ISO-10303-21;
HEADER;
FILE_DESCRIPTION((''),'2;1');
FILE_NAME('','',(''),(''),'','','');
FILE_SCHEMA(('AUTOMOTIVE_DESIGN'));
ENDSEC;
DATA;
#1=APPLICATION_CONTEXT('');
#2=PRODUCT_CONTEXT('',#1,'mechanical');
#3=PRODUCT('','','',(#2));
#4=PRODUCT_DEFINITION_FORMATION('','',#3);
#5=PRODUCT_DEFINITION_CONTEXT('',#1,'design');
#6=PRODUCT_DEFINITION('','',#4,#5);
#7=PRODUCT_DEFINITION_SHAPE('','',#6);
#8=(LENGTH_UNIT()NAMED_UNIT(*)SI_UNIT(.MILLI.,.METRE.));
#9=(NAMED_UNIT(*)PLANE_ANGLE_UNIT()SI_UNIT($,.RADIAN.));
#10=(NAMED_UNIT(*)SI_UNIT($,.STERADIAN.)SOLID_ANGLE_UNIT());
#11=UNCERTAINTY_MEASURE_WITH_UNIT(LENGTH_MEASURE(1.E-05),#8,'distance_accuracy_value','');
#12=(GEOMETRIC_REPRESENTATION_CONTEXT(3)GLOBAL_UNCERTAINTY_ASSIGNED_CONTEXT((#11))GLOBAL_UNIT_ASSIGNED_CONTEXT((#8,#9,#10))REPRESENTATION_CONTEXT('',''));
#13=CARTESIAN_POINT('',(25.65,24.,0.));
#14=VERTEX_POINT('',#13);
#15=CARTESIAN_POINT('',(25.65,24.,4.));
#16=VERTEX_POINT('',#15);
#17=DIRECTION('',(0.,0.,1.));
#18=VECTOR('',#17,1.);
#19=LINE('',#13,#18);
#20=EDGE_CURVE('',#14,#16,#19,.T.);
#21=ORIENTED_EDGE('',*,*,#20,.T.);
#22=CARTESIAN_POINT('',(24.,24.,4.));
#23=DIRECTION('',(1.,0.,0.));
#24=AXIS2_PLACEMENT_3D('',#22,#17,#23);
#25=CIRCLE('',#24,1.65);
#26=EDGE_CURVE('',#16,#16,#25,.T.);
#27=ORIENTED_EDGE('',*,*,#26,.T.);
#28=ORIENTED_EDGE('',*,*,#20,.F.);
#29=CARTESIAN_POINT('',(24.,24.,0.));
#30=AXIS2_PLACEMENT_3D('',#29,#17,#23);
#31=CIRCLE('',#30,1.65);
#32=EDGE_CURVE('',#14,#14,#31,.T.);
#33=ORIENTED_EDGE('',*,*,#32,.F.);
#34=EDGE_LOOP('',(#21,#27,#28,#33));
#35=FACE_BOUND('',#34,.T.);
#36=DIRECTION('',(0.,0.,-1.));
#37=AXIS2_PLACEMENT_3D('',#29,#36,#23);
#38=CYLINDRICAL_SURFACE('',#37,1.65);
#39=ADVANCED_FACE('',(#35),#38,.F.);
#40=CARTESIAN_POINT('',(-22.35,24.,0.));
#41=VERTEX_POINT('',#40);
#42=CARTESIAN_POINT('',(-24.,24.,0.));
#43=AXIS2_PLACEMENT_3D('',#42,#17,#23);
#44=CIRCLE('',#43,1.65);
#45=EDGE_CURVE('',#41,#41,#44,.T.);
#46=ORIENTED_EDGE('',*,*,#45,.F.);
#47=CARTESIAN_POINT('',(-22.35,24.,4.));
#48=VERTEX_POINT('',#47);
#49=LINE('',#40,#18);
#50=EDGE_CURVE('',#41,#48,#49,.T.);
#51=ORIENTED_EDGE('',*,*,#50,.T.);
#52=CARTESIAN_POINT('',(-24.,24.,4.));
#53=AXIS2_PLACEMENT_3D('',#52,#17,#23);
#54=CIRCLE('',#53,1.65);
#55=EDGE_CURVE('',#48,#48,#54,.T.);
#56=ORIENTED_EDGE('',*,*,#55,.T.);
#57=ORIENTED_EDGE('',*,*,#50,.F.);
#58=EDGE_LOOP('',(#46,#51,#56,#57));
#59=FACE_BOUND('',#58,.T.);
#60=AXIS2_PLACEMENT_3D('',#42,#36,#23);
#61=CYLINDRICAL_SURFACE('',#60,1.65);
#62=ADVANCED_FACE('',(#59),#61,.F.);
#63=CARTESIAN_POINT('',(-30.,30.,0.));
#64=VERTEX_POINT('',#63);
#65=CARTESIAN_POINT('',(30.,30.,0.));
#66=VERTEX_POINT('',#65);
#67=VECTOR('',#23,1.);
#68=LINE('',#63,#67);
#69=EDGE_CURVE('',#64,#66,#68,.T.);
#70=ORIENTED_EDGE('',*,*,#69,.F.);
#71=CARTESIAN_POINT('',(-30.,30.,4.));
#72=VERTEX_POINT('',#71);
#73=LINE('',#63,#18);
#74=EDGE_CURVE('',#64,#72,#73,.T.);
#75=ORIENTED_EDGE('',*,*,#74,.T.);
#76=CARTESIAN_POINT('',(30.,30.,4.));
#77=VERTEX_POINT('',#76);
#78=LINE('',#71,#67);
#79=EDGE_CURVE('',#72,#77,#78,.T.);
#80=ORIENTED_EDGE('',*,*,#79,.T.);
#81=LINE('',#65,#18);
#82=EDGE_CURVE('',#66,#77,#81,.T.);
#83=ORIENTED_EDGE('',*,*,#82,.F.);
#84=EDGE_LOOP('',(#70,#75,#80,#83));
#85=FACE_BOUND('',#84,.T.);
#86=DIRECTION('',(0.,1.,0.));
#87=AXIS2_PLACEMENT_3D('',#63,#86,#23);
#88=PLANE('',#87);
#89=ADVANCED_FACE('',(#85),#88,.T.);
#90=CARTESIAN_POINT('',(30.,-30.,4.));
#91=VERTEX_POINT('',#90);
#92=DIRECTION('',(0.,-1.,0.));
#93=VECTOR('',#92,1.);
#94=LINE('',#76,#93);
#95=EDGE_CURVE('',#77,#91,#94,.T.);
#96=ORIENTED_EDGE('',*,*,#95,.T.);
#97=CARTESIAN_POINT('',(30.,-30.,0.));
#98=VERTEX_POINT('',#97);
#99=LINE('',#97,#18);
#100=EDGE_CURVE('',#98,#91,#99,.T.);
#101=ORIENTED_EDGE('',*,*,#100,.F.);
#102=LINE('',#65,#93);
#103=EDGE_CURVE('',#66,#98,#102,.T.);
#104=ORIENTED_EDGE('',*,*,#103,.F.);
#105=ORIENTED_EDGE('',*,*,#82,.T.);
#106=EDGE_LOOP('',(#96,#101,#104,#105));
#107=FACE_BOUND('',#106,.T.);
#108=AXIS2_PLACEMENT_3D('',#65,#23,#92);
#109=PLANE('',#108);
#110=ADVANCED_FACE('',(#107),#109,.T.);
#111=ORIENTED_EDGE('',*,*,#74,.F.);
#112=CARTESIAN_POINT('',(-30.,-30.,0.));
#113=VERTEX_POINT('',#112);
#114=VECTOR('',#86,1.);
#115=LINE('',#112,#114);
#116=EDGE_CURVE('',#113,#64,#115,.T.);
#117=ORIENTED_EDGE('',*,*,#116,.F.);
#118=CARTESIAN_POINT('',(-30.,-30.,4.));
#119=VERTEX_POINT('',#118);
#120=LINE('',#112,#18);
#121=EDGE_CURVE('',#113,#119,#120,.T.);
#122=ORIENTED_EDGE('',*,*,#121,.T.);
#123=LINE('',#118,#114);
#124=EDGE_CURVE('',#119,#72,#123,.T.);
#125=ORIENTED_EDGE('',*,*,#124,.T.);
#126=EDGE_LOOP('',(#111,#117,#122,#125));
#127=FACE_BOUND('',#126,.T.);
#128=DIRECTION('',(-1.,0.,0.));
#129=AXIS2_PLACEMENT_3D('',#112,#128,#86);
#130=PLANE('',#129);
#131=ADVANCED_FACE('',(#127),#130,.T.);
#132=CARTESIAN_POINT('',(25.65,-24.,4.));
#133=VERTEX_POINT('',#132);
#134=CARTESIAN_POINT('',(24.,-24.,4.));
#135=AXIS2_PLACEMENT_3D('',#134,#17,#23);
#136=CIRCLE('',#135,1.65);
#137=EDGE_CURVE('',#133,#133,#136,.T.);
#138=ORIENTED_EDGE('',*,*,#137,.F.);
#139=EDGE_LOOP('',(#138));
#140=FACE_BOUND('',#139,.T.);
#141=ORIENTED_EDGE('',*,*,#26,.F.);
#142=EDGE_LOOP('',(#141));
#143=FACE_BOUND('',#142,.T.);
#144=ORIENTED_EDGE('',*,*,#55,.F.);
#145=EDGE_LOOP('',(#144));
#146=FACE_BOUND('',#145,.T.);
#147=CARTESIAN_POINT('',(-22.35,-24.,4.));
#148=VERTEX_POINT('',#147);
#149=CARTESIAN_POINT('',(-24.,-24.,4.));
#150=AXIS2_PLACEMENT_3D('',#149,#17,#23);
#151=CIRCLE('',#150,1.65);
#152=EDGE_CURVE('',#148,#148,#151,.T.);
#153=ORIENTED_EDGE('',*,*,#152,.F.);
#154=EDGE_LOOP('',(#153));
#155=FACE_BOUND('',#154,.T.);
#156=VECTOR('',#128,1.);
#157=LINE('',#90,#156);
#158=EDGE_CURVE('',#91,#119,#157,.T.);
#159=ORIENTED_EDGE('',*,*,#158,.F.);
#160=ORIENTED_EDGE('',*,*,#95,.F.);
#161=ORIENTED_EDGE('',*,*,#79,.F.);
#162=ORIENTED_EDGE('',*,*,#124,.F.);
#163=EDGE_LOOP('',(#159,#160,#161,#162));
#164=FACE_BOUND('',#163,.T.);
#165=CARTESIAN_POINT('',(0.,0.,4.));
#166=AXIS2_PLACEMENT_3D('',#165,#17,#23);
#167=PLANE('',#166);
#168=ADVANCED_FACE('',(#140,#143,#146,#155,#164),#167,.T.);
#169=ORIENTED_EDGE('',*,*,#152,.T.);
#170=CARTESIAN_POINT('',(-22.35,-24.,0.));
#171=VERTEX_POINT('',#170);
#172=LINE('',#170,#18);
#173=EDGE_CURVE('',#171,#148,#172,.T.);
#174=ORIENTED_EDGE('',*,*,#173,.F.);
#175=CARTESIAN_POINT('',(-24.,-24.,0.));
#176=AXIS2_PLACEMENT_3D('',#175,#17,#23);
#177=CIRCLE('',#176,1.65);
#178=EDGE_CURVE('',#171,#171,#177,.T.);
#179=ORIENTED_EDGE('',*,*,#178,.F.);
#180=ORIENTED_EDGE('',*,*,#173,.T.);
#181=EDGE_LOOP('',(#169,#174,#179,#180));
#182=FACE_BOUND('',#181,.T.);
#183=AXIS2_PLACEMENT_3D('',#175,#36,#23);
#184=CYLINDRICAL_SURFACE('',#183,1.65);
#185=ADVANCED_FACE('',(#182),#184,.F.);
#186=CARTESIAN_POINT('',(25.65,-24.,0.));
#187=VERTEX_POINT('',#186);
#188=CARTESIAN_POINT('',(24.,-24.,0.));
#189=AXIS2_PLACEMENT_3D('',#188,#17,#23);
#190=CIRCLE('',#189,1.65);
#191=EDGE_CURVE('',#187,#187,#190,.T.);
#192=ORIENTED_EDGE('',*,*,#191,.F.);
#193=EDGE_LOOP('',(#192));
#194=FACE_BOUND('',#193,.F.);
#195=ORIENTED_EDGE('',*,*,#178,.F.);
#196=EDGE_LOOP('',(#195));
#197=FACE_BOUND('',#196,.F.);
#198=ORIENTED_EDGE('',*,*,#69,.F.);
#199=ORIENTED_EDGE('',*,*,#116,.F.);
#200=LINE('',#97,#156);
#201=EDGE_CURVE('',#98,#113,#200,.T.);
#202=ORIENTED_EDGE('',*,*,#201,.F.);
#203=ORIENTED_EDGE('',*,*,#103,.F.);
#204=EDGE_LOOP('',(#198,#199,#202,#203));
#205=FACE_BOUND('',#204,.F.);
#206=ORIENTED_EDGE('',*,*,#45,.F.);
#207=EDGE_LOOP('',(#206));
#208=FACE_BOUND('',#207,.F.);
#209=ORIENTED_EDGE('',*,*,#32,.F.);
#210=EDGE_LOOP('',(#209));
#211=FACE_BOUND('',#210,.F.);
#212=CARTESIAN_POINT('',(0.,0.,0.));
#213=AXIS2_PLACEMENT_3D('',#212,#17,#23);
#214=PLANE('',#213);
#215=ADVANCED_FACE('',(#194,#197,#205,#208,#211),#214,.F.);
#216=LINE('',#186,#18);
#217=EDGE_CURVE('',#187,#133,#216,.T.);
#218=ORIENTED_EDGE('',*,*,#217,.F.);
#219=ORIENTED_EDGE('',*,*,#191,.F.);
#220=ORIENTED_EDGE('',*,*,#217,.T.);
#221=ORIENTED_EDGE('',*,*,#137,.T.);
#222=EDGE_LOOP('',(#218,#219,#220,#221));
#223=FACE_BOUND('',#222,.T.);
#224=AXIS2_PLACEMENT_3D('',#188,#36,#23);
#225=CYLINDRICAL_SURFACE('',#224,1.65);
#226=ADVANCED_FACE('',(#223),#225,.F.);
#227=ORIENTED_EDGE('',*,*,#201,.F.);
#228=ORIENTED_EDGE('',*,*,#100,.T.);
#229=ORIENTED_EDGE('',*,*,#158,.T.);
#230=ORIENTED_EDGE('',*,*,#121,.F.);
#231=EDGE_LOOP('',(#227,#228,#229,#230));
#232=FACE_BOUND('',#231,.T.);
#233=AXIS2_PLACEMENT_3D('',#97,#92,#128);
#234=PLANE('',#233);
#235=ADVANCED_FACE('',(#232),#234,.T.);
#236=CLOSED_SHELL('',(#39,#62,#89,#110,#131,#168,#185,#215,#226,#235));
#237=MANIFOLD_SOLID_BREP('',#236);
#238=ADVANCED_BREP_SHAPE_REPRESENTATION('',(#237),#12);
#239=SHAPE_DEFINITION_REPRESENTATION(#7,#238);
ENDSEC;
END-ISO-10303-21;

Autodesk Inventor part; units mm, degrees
ref_plane "YZ Plane" through (0, 0, 0) normal (1, 0, 0) x (0, 1, 0)
ref_plane "XZ Plane" through (0, 0, 0) normal (0, 1, 0) x (-1, 0, 0)
ref_plane "XY Plane" through (0, 0, 0) normal (0, 0, 1) x (1, 0, 0)
sketch "Sketch1" plane through (0, 0, 0) normal (0, 0, 1) x (1, 0, 0)
  line L0 (-30, 30) -> (30, 30)
  line L1 (30, 30) -> (30, -30)
  line L2 (30, -30) -> (-30, -30)
  line L3 (-30, -30) -> (-30, 30)
  line L4 (-30, 30) -> (30, -30) construction
  line L5 (30, 30) -> (-30, -30) construction
  circle A0 centre (-24, 24) radius 1.65
  circle A1 centre (-24, -24) radius 1.65
  circle A2 centre (24, -24) radius 1.65
  circle A3 centre (24, 24) radius 1.65
  point P0 (0, 0)
  dimension "d0" = 60
  dimension "d1" = 60
  dimension "d2" = 3.3
  dimension "d3" = 24
  dimension "d6" = 360
extrude "Extrusion1" add sketch "Sketch1" along normal blind 4
properties part number "antenna_socket_cap" material "Acetal Resin, Black"
